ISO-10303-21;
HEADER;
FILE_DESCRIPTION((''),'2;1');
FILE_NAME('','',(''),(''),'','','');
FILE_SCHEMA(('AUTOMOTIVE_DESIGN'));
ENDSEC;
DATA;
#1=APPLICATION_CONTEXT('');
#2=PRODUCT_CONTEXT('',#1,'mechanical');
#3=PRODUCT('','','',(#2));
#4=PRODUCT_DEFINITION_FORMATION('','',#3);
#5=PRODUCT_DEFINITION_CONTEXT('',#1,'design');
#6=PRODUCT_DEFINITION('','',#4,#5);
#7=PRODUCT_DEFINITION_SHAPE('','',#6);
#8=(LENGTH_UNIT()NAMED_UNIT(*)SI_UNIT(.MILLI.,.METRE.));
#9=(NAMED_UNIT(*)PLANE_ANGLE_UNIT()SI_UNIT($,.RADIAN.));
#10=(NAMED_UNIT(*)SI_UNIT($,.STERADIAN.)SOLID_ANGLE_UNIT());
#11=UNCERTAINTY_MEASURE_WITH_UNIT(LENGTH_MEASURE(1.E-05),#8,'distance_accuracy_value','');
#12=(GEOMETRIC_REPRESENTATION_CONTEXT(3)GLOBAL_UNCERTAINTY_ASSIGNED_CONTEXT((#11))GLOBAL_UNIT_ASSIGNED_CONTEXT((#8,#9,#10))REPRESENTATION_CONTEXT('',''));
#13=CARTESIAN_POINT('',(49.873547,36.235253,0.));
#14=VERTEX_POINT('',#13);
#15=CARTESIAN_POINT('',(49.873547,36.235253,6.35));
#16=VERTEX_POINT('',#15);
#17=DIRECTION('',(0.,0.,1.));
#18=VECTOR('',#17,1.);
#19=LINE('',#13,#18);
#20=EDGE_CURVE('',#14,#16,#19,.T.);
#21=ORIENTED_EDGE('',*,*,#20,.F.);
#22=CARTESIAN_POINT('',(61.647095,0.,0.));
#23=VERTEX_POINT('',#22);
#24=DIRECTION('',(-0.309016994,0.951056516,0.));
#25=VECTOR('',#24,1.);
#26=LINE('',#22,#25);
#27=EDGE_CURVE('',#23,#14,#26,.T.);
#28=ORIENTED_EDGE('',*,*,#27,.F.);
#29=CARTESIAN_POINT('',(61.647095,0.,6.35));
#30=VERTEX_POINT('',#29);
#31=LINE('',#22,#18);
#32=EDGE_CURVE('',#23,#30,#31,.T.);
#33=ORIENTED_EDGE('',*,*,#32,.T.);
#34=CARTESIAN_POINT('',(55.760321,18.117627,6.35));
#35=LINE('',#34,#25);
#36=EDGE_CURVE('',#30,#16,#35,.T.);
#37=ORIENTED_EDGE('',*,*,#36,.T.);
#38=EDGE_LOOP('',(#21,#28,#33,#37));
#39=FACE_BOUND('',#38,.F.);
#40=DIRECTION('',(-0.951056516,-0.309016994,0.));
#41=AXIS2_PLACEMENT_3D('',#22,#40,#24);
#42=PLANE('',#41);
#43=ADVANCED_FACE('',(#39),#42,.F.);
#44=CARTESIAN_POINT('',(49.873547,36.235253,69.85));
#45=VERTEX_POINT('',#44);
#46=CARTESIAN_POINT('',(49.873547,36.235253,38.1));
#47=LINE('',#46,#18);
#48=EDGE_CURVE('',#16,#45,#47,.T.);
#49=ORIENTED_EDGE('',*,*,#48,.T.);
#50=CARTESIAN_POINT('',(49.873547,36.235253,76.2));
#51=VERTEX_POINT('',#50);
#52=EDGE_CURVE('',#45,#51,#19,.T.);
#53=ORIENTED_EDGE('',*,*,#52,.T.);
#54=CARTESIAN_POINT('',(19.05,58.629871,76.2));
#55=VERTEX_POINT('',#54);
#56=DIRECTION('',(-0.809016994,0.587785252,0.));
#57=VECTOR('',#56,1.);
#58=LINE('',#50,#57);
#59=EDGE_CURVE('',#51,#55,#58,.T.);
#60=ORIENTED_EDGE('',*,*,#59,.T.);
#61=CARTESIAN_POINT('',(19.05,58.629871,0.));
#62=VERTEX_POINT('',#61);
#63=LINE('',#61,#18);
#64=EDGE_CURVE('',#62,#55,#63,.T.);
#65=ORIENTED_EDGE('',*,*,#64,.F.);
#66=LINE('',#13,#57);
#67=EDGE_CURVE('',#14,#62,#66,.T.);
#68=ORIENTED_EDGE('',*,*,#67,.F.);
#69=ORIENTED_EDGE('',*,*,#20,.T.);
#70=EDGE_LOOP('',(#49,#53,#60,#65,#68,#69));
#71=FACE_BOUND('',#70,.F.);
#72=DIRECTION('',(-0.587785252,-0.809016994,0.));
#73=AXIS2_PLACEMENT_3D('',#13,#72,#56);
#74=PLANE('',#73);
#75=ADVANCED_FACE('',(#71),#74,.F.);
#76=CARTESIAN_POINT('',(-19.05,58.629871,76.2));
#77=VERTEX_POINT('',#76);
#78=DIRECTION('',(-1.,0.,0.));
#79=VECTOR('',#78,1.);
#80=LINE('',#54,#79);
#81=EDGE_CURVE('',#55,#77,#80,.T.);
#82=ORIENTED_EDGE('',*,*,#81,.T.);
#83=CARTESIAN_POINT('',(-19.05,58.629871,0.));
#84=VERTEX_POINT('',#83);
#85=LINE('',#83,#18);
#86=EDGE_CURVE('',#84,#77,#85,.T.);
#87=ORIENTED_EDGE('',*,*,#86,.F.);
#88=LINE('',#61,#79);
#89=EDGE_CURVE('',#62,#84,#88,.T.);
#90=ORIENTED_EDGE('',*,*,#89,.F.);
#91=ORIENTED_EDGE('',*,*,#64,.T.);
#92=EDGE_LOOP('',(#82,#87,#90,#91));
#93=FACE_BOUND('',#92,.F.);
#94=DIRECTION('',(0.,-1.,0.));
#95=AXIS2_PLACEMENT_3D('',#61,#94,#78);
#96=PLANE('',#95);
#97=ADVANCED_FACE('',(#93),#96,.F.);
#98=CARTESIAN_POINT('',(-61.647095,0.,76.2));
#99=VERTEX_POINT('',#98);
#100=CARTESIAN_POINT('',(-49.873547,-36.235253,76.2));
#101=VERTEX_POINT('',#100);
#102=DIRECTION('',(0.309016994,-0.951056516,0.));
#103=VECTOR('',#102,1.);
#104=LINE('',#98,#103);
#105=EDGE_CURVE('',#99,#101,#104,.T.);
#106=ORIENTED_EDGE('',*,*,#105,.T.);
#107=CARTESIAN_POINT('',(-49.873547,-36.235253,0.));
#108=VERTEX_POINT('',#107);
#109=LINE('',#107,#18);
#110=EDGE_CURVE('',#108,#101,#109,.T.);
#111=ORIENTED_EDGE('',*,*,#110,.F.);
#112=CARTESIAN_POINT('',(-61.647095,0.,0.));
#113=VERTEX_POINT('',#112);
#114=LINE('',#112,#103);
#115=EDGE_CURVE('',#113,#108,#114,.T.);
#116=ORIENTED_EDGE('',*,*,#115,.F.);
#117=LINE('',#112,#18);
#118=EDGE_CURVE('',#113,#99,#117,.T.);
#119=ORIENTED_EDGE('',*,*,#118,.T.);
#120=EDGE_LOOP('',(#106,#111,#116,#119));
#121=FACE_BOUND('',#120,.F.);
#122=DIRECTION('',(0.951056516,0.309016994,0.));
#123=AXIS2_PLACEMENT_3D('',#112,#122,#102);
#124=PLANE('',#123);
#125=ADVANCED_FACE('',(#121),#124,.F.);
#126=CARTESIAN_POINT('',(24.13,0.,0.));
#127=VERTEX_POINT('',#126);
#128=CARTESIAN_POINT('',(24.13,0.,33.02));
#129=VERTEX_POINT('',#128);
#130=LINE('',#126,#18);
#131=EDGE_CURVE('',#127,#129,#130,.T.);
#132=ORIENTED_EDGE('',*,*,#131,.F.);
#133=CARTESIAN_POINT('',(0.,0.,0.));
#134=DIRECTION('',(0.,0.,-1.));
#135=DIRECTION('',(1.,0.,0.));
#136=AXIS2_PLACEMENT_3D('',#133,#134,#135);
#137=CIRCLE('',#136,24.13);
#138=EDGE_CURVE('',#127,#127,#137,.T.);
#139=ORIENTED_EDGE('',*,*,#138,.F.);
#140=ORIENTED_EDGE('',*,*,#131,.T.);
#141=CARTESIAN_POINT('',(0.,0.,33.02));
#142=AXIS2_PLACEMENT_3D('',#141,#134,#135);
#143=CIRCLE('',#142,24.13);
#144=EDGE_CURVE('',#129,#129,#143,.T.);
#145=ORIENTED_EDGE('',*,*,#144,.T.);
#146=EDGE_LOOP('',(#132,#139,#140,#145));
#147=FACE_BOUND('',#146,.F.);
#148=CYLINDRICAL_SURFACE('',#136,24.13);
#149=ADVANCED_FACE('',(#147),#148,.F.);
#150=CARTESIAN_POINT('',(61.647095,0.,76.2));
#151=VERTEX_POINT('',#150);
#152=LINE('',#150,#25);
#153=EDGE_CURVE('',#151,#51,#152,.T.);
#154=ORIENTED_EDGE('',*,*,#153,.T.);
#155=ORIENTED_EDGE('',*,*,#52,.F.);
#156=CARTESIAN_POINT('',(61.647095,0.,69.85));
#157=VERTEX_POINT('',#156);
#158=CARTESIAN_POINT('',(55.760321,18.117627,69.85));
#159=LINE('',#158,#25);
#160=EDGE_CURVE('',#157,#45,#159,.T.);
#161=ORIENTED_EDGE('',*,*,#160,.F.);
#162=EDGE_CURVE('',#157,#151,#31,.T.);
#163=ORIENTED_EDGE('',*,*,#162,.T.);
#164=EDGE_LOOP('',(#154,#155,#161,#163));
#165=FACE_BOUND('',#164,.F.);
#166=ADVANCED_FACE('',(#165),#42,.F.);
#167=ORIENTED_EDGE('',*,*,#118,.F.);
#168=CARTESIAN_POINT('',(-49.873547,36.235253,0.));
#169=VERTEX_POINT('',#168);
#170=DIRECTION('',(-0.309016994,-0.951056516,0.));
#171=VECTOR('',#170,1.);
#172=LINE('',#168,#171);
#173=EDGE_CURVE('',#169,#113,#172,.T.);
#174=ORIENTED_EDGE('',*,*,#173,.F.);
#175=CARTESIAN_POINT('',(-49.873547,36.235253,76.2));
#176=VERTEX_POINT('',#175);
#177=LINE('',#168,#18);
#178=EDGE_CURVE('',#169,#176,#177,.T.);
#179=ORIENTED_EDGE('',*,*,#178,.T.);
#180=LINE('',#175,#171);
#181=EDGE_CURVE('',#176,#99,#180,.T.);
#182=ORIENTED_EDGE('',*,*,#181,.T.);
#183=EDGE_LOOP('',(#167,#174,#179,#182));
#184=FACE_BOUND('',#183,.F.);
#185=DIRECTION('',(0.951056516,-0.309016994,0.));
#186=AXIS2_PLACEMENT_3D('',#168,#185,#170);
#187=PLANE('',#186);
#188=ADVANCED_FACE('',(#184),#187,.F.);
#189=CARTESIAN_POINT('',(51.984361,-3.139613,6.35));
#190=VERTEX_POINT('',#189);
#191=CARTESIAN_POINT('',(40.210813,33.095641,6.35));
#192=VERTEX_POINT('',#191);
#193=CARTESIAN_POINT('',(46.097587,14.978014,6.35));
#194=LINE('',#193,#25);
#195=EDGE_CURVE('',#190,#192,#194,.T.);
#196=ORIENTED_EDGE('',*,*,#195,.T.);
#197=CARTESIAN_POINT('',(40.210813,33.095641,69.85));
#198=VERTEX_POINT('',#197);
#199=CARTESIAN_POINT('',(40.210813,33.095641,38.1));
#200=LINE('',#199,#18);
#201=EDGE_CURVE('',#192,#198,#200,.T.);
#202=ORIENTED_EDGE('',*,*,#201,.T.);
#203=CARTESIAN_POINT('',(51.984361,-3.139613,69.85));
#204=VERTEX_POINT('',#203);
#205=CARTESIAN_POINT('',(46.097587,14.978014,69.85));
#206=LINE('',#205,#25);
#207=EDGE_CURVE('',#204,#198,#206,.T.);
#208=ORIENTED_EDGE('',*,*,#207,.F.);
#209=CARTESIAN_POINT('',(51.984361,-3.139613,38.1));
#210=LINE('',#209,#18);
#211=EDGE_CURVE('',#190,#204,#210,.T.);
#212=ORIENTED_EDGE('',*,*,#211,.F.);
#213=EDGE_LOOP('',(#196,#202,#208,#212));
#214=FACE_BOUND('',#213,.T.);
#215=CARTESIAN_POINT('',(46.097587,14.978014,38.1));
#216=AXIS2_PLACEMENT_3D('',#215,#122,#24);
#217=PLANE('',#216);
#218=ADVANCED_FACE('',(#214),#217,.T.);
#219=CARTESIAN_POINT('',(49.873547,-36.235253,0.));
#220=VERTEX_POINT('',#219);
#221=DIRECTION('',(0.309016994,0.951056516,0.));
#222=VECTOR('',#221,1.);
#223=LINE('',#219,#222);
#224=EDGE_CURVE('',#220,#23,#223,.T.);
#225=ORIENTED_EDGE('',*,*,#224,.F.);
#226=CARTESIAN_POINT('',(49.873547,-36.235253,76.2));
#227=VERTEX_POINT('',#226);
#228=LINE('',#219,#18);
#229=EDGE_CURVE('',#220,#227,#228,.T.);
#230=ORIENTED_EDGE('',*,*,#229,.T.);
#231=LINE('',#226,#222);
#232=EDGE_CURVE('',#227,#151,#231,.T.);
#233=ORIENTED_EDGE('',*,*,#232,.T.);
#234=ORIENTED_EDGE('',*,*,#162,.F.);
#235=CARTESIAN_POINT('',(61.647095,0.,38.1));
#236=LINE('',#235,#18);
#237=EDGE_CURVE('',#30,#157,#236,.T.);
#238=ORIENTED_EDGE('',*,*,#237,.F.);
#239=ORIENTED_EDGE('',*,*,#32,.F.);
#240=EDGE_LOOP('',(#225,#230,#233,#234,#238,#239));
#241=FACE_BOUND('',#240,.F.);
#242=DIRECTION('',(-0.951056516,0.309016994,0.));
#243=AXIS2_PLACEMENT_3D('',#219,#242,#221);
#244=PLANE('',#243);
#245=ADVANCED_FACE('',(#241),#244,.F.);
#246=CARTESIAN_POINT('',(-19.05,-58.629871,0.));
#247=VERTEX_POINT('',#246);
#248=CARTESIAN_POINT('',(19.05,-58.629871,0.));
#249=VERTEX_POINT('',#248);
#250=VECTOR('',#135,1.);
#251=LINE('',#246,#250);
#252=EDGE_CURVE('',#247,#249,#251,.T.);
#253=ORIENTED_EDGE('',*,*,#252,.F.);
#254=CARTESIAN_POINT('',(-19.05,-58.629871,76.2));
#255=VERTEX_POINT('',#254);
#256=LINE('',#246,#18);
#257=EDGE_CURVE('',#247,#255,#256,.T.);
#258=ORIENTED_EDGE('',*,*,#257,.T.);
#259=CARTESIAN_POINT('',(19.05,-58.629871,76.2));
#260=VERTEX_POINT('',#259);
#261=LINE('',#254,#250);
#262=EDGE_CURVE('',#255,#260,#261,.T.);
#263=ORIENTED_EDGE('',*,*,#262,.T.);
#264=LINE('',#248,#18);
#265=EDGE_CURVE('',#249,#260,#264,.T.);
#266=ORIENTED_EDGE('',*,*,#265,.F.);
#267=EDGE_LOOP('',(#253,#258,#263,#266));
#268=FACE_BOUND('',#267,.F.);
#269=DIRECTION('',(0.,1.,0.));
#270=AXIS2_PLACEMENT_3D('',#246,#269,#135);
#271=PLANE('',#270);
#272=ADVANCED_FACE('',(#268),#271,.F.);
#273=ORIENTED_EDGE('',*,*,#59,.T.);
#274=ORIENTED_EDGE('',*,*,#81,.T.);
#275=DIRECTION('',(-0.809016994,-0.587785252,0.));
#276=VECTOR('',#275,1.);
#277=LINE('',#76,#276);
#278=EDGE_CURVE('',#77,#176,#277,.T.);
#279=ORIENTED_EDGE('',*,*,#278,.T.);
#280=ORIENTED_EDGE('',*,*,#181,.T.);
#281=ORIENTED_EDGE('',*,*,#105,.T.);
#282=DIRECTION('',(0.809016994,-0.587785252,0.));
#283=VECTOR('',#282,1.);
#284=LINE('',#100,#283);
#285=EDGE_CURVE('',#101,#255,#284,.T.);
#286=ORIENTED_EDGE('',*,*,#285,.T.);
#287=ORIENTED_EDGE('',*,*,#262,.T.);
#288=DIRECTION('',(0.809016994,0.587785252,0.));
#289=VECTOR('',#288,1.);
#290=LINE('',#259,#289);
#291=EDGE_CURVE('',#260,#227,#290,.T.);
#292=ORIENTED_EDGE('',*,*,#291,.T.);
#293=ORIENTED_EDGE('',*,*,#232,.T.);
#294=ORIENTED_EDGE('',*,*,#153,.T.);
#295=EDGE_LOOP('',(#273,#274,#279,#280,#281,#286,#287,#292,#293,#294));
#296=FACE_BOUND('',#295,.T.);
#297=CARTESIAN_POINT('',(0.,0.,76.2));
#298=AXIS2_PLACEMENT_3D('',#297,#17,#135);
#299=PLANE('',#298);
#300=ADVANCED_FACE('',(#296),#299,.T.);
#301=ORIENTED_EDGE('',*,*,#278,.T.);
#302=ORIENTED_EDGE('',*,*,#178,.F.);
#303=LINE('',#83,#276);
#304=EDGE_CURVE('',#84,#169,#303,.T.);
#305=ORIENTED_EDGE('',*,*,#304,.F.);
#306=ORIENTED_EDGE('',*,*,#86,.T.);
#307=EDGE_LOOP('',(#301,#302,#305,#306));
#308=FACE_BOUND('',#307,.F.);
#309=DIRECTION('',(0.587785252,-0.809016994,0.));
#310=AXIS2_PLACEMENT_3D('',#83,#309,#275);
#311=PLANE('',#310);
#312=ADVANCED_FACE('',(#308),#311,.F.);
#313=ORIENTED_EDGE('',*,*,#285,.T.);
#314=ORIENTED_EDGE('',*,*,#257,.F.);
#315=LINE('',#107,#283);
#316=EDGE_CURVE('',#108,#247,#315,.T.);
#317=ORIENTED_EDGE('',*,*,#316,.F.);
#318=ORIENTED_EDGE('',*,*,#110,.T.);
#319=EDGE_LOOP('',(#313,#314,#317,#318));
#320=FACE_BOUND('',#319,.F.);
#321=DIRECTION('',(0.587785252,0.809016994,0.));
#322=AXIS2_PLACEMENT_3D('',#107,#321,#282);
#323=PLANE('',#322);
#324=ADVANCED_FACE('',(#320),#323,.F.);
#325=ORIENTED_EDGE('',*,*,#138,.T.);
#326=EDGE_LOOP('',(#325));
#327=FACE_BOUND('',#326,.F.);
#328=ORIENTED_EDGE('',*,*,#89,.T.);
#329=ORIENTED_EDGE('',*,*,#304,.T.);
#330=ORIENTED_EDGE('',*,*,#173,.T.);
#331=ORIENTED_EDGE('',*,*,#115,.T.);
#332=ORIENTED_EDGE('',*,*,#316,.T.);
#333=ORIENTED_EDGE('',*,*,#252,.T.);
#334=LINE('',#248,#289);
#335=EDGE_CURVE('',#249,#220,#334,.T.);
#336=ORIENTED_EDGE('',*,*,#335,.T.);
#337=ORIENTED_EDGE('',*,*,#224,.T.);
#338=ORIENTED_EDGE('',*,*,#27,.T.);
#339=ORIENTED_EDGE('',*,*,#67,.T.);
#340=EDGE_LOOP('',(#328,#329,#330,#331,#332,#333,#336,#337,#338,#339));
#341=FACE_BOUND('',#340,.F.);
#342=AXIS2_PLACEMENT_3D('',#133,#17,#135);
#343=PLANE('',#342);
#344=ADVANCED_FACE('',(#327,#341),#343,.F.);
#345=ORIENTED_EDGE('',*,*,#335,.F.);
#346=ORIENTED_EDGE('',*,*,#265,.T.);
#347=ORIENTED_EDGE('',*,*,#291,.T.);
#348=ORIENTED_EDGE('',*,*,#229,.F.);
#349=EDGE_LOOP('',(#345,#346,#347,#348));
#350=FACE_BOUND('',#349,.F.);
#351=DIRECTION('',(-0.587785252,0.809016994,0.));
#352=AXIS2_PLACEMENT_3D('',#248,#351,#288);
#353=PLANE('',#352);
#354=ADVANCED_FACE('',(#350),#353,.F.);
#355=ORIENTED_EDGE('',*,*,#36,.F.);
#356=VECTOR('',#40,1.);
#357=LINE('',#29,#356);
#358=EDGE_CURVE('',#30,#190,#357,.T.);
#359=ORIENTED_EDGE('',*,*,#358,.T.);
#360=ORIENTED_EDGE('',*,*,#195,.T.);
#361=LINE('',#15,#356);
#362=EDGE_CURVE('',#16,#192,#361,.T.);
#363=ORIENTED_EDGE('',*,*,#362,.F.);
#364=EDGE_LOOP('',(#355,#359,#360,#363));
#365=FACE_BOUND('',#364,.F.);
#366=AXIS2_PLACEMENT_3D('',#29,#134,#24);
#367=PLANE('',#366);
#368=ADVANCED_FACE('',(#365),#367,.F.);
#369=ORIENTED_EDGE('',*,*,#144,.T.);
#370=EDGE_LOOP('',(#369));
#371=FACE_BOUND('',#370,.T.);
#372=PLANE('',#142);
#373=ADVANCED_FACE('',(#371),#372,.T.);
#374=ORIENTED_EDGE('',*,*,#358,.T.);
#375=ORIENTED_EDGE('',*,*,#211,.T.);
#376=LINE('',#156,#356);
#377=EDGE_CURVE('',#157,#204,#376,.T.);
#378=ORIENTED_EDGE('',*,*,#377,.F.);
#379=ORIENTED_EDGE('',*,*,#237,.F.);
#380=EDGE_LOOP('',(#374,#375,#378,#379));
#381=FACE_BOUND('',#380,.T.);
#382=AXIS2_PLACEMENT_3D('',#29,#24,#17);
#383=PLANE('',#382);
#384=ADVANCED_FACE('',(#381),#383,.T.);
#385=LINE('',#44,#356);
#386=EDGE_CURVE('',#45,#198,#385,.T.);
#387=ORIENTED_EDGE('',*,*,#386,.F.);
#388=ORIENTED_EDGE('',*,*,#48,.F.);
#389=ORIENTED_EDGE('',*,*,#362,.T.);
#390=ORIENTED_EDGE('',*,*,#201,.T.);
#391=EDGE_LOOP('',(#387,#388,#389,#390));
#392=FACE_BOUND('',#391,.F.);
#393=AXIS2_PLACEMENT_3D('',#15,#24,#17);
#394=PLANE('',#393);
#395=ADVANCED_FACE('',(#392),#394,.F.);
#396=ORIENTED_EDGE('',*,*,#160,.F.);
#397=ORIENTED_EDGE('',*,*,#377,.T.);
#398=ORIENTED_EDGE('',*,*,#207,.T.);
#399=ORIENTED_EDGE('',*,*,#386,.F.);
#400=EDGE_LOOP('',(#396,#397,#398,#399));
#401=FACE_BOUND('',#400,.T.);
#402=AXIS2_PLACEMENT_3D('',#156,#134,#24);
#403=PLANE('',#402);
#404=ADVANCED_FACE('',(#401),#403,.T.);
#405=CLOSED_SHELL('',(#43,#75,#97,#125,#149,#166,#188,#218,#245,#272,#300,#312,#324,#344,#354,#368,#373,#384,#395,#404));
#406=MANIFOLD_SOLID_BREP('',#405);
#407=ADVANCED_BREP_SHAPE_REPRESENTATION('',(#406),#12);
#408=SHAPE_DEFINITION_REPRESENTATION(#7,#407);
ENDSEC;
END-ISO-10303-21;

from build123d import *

# Parameters (mm, degrees)
F1_DEPTH = 76.2
F2_R     = 24.13
F3_DEPTH = 33.02
F4_W     = 38.1
F4_H     = 63.5
F5_DEPTH = 10.16


with BuildPart() as f1:
    # F0 (on Top) → F1 (new body)
    with BuildSketch(Plane.XY):
        Polygon((19.05, 58.6298713832), (-19.05, 58.6298713832), (-49.8735474857, 36.2352532708), (-61.6470949714, 0), (-49.8735474857, -36.2352532708), (-19.05, -58.6298713832), (19.05, -58.6298713832), (49.8735474857, -36.2352532708), (61.6470949714, 0), (49.8735474857, 36.2352532708), align=None)
    extrude(amount=F1_DEPTH)

    # F2 (on face) → F3 (cut)
    with BuildSketch(Plane(origin=(0, 0, 0), x_dir=(1, 0, 0), z_dir=(0, 0, -1))):
        Circle(F2_R)
    extrude(amount=-F3_DEPTH, mode=Mode.SUBTRACT)

    # F4 (on face) → F5 (cut)
    with BuildSketch(Plane(origin=(55.7603212285, 18.1176266354, 0), x_dir=(-0.3090169944, 0.9510565163, 0), z_dir=(0.9510565163, 0.3090169944, 0))):
        with Locations((0, 38.1)):
            Rectangle(F4_W, F4_H)
    extrude(amount=-F5_DEPTH, mode=Mode.SUBTRACT)


solid = f1.part
